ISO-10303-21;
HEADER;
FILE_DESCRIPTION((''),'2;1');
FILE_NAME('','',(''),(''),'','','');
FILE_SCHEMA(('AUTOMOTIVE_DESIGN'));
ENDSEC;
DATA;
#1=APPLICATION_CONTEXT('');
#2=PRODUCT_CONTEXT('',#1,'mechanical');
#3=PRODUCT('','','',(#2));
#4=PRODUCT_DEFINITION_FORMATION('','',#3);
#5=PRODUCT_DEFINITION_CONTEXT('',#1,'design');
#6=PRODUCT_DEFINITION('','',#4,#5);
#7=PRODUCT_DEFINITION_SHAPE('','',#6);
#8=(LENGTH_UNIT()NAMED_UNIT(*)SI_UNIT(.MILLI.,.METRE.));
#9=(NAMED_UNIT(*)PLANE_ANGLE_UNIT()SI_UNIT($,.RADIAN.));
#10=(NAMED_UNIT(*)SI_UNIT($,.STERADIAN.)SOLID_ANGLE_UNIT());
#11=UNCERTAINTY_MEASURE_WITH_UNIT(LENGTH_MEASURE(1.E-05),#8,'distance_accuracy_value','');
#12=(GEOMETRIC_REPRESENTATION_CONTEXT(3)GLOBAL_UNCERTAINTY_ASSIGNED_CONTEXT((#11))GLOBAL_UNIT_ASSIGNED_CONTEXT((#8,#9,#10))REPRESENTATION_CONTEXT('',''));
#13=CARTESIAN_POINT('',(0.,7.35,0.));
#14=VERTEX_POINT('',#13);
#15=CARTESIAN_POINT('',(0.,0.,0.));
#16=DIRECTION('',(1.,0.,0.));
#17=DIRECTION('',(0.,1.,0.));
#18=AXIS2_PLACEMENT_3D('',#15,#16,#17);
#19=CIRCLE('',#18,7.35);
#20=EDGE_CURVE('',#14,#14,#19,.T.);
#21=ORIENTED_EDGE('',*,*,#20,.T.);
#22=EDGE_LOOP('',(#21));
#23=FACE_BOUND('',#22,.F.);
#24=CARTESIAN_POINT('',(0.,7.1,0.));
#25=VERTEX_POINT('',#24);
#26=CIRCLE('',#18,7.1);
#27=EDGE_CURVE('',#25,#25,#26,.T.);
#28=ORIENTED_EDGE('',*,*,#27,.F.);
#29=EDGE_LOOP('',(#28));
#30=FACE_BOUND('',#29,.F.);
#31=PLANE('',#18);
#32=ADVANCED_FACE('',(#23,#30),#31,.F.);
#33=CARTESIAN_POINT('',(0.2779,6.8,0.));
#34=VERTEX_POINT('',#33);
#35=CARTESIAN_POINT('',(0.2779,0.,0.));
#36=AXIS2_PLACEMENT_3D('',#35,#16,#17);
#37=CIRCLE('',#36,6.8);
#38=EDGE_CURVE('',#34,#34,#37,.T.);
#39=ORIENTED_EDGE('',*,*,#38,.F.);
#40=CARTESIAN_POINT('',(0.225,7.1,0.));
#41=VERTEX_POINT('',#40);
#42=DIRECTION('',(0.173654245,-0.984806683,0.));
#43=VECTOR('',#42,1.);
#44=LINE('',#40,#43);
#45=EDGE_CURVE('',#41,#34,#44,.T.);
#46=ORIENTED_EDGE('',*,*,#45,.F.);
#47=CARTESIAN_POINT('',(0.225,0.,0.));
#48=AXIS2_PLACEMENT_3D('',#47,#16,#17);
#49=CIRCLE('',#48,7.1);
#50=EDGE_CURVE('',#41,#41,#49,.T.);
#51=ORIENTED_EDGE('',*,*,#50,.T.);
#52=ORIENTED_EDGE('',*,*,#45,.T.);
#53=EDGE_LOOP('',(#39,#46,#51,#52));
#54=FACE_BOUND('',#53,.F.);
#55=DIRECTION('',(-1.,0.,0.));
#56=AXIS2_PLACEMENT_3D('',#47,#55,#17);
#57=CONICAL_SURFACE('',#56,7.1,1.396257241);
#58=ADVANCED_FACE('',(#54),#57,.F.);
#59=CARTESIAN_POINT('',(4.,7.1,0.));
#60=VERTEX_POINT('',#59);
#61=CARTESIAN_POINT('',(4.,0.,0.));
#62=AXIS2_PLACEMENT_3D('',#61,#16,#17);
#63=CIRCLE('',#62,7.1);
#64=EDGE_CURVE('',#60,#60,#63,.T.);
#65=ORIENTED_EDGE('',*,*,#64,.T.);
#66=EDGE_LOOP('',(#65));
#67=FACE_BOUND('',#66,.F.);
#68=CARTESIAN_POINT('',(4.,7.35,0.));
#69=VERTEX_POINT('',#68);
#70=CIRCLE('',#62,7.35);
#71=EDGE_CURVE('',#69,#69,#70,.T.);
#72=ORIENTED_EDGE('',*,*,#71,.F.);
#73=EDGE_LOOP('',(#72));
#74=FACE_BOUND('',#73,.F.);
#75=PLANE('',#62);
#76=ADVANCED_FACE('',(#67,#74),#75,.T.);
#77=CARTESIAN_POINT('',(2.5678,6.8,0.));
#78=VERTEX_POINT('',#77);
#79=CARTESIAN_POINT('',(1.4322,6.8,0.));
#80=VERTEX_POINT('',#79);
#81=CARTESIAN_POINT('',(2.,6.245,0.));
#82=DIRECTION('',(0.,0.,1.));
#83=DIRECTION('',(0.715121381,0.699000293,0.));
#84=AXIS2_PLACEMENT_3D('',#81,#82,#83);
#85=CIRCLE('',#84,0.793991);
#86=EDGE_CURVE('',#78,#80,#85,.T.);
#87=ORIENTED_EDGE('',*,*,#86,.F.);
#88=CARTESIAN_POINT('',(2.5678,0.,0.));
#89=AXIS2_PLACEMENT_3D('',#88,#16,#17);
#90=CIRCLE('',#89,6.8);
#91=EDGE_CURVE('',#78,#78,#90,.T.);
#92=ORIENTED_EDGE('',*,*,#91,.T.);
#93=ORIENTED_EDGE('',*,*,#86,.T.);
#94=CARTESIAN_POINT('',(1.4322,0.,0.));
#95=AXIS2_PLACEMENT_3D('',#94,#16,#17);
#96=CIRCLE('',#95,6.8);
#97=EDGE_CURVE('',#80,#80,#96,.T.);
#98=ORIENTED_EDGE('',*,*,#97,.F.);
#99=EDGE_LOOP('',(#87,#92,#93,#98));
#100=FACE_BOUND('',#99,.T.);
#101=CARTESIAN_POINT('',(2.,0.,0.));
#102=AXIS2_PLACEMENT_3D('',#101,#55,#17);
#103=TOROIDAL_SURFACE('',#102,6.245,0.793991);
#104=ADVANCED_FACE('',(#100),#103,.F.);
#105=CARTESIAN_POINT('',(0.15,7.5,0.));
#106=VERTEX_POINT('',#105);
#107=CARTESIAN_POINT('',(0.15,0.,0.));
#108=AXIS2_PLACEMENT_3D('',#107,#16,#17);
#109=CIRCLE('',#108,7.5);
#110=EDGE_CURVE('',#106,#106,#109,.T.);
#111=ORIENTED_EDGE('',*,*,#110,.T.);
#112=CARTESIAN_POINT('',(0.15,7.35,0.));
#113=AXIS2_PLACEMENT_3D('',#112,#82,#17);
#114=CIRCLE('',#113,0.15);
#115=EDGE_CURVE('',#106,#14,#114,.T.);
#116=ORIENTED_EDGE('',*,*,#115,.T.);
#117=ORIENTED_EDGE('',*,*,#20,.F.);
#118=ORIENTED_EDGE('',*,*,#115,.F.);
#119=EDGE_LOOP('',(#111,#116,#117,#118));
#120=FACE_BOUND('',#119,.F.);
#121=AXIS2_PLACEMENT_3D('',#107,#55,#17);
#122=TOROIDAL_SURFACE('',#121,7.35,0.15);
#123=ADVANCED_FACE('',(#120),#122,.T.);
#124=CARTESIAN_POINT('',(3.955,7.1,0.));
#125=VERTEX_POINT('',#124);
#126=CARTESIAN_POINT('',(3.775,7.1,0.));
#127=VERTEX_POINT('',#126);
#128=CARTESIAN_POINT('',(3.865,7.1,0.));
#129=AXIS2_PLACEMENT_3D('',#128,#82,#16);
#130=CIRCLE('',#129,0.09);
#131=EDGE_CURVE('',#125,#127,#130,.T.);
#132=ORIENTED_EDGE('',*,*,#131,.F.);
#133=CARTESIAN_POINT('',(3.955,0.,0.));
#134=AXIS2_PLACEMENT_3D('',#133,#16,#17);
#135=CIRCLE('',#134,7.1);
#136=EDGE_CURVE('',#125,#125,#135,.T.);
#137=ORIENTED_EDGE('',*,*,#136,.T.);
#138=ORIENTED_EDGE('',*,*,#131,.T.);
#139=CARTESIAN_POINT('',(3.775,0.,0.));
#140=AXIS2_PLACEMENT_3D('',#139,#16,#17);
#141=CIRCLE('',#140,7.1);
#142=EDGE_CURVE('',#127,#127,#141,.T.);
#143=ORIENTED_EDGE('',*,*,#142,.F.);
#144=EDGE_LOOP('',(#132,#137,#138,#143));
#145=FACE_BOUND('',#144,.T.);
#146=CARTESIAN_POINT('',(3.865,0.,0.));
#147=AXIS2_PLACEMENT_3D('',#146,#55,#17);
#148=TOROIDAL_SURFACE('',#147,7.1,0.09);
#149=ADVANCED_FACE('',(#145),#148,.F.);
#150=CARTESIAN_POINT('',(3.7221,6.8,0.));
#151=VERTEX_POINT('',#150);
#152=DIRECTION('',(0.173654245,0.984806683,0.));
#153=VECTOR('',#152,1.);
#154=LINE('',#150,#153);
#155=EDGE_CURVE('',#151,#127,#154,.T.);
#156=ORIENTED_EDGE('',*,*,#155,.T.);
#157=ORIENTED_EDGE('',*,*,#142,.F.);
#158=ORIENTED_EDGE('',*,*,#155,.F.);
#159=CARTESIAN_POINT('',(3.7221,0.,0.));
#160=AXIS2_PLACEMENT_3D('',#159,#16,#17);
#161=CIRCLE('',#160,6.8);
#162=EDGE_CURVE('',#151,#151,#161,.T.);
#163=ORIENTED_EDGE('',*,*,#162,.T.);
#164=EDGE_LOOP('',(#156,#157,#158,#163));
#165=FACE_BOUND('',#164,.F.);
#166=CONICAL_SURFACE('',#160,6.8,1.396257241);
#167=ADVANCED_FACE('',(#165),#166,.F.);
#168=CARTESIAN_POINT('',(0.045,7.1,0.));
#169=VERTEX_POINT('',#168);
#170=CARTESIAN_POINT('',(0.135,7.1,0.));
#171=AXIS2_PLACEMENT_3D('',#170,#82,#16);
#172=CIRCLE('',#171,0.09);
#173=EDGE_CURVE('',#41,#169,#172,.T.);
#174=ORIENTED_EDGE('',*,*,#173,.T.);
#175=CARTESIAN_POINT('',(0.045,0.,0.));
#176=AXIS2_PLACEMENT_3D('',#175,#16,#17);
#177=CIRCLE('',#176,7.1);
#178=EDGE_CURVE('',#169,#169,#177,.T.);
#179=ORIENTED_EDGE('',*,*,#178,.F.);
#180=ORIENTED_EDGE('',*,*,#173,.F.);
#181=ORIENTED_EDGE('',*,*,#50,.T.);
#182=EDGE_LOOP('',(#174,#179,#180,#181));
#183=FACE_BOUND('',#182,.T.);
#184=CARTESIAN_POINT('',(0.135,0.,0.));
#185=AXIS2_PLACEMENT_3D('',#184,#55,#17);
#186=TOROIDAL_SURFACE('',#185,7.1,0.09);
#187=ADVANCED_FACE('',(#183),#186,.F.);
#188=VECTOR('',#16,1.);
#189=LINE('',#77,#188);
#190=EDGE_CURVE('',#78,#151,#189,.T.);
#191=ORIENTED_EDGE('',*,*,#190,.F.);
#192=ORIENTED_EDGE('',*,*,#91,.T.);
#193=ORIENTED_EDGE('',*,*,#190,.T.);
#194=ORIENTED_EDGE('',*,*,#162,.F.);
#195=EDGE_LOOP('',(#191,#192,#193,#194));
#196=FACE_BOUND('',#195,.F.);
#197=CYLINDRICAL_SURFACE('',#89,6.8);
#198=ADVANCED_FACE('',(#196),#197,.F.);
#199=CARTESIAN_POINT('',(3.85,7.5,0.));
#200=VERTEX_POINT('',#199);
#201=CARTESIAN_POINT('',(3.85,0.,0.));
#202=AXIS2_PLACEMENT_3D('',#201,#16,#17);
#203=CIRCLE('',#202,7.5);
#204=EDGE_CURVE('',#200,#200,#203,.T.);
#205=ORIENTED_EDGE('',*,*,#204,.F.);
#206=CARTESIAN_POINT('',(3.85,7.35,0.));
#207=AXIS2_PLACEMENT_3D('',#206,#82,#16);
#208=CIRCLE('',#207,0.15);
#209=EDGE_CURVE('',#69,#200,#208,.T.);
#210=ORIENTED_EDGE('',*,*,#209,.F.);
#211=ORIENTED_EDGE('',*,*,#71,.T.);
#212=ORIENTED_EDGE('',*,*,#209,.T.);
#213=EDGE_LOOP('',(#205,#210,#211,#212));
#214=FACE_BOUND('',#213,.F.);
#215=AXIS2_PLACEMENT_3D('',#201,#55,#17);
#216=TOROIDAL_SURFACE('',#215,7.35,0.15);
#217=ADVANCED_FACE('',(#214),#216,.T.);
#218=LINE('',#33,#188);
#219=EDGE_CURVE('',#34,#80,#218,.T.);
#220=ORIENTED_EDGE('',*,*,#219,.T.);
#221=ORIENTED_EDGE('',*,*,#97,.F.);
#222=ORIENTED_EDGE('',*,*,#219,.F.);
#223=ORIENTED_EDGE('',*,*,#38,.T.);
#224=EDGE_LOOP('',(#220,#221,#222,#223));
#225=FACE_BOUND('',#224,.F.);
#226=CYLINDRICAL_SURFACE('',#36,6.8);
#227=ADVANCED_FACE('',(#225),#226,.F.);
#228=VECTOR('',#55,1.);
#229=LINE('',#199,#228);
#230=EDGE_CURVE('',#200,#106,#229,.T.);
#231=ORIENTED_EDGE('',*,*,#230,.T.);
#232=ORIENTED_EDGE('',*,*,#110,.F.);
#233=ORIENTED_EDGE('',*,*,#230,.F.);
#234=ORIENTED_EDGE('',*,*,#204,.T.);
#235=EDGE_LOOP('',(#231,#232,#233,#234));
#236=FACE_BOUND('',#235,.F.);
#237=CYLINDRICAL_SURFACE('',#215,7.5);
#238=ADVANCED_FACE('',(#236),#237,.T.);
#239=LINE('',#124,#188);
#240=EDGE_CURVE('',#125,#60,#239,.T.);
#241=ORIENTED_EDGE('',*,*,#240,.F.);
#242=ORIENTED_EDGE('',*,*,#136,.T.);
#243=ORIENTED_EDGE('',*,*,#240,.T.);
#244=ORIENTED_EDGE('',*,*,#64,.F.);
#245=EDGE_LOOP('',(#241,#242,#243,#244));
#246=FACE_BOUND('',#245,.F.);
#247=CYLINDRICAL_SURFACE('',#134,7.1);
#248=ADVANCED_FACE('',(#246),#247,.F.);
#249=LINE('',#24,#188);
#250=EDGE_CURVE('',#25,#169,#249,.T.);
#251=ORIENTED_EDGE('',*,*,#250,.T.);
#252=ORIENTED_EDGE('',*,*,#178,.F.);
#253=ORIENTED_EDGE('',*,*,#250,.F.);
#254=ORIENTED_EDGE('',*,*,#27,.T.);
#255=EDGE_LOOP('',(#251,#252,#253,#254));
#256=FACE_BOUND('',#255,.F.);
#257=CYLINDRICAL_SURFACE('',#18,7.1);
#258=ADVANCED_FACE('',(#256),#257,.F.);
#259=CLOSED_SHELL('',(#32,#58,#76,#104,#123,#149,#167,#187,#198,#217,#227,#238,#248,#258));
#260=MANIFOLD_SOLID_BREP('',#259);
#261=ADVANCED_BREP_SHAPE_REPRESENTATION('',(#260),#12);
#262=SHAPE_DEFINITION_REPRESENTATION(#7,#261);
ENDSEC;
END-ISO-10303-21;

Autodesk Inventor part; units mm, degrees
ref_plane "YZ Plane" through (0, 0, 0) normal (1, 0, 0) x (0, 1, 0)
ref_plane "XZ Plane" through (0, 0, 0) normal (0, 1, 0) x (-1, 0, 0)
ref_plane "XY Plane" through (0, 0, 0) normal (0, 0, 1) x (1, 0, 0)
sketch "Sketch_16" plane through (0, 0, 0) normal (0, 0, 1) x (1, 0, 0)
  line L0 (50, 0) -> (-50, 0)
  line L1 (0, 7.1) -> (0.045, 7.1)
  arc A0 (0.225, 7.1) -> (0.045, 7.1) centre (0.135, 7.1) ccw
  line L2 (0.225, 7.1) -> (0.2779, 6.8)
  line L3 (0.2779, 6.8) -> (1.4322, 6.8)
  arc A1 (2.5678, 6.8) -> (1.4322, 6.8) centre (2, 6.245) ccw
  line L4 (2.5678, 6.8) -> (3.7221, 6.8)
  line L5 (3.7221, 6.8) -> (3.775, 7.1)
  arc A2 (3.955, 7.1) -> (3.775, 7.1) centre (3.865, 7.1) ccw
  line L6 (3.955, 7.1) -> (4, 7.1)
  line L7 (4, 7.1) -> (4, 7.35)
  arc A3 (4, 7.35) -> (3.85, 7.5) centre (3.85, 7.35) ccw
  line L8 (3.85, 7.5) -> (0.15, 7.5)
  arc A4 (0.15, 7.5) -> (0, 7.35) centre (0.15, 7.35) ccw
  line L9 (0, 7.35) -> (0, 7.1)
revolve "Revolution1" add sketch "Sketch_16" angle 360 about axis through (50, 0, 0) along (1, 0, 0)
properties part number "SKF_W 61700 X-2RS1_PART2"
